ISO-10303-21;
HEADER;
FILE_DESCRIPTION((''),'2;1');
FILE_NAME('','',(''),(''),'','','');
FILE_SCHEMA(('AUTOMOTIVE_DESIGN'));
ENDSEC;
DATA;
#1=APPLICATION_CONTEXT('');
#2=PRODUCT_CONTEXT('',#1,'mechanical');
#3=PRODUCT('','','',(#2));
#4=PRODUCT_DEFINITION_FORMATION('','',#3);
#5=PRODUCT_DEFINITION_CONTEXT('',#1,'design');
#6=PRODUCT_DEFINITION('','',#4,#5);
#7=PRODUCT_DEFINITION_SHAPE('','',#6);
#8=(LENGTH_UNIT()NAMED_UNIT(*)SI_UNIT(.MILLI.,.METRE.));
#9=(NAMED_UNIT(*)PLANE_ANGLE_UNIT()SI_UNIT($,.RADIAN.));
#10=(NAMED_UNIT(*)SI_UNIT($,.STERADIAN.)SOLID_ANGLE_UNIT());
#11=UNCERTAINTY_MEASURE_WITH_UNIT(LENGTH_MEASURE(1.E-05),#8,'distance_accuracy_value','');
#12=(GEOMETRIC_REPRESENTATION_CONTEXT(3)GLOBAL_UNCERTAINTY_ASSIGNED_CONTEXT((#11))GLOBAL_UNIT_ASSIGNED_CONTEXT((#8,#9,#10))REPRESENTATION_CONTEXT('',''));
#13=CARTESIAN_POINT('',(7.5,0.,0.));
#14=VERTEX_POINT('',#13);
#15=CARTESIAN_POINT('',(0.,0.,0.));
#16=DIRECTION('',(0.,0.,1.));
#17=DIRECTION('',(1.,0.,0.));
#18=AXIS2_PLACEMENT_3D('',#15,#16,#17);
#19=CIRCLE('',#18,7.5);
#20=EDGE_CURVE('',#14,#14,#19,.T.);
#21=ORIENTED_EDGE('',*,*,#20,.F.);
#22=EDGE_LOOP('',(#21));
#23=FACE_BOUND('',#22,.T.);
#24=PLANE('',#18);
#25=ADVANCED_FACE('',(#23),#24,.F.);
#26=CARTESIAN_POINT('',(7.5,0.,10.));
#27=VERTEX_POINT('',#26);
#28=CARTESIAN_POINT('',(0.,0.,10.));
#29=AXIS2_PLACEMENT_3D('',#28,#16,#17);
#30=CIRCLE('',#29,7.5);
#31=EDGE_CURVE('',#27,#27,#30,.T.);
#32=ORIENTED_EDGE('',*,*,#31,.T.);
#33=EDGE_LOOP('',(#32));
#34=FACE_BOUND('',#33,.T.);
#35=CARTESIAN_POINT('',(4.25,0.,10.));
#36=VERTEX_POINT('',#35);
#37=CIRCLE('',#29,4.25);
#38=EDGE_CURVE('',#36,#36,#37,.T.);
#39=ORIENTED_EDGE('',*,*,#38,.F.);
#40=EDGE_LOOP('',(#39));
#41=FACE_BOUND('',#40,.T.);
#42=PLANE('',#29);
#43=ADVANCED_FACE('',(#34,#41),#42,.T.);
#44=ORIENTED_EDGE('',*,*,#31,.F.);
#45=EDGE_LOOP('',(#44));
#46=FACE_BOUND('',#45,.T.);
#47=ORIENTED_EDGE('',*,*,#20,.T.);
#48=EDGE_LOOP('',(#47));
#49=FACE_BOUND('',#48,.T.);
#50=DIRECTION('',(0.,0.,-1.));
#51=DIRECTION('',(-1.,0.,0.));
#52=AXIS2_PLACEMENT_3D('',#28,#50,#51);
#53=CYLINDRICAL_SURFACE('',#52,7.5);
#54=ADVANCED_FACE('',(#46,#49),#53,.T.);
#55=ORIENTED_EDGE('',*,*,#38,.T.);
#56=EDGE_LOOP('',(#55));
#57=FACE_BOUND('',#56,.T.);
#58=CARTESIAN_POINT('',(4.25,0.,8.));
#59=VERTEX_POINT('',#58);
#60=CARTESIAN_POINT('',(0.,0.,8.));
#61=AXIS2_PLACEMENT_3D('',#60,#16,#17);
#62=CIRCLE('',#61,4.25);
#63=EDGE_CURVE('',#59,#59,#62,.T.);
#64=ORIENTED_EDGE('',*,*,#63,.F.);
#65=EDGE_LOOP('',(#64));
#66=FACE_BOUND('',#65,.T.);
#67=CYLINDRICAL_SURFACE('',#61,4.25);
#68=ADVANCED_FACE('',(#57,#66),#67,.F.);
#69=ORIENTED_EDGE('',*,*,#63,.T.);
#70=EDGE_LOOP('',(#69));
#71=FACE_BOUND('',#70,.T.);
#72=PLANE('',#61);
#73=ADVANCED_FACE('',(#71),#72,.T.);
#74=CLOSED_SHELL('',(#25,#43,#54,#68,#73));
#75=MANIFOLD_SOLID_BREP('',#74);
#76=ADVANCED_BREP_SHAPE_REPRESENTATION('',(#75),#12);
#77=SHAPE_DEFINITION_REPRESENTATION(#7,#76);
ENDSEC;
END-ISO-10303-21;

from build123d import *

# Parameters (mm, degrees)
CROQUIS1_R              = 7.5
SALIENTE_EXTRUIR1_DEPTH = 10
CROQUIS2_R              = 4.25
CORTAR_EXTRUIR1_DEPTH   = 2


with BuildPart() as part:
    # Croquis1 → Saliente-Extruir1 (new body)
    with BuildSketch(Plane.XY):
        Circle(CROQUIS1_R)
    extrude(amount=SALIENTE_EXTRUIR1_DEPTH)

    # Croquis2 → Cortar-Extruir1 (cut)
    with BuildSketch(Plane.XY.offset(10)):
        Circle(CROQUIS2_R)
    extrude(amount=-CORTAR_EXTRUIR1_DEPTH, mode=Mode.SUBTRACT)


solid = part.part
